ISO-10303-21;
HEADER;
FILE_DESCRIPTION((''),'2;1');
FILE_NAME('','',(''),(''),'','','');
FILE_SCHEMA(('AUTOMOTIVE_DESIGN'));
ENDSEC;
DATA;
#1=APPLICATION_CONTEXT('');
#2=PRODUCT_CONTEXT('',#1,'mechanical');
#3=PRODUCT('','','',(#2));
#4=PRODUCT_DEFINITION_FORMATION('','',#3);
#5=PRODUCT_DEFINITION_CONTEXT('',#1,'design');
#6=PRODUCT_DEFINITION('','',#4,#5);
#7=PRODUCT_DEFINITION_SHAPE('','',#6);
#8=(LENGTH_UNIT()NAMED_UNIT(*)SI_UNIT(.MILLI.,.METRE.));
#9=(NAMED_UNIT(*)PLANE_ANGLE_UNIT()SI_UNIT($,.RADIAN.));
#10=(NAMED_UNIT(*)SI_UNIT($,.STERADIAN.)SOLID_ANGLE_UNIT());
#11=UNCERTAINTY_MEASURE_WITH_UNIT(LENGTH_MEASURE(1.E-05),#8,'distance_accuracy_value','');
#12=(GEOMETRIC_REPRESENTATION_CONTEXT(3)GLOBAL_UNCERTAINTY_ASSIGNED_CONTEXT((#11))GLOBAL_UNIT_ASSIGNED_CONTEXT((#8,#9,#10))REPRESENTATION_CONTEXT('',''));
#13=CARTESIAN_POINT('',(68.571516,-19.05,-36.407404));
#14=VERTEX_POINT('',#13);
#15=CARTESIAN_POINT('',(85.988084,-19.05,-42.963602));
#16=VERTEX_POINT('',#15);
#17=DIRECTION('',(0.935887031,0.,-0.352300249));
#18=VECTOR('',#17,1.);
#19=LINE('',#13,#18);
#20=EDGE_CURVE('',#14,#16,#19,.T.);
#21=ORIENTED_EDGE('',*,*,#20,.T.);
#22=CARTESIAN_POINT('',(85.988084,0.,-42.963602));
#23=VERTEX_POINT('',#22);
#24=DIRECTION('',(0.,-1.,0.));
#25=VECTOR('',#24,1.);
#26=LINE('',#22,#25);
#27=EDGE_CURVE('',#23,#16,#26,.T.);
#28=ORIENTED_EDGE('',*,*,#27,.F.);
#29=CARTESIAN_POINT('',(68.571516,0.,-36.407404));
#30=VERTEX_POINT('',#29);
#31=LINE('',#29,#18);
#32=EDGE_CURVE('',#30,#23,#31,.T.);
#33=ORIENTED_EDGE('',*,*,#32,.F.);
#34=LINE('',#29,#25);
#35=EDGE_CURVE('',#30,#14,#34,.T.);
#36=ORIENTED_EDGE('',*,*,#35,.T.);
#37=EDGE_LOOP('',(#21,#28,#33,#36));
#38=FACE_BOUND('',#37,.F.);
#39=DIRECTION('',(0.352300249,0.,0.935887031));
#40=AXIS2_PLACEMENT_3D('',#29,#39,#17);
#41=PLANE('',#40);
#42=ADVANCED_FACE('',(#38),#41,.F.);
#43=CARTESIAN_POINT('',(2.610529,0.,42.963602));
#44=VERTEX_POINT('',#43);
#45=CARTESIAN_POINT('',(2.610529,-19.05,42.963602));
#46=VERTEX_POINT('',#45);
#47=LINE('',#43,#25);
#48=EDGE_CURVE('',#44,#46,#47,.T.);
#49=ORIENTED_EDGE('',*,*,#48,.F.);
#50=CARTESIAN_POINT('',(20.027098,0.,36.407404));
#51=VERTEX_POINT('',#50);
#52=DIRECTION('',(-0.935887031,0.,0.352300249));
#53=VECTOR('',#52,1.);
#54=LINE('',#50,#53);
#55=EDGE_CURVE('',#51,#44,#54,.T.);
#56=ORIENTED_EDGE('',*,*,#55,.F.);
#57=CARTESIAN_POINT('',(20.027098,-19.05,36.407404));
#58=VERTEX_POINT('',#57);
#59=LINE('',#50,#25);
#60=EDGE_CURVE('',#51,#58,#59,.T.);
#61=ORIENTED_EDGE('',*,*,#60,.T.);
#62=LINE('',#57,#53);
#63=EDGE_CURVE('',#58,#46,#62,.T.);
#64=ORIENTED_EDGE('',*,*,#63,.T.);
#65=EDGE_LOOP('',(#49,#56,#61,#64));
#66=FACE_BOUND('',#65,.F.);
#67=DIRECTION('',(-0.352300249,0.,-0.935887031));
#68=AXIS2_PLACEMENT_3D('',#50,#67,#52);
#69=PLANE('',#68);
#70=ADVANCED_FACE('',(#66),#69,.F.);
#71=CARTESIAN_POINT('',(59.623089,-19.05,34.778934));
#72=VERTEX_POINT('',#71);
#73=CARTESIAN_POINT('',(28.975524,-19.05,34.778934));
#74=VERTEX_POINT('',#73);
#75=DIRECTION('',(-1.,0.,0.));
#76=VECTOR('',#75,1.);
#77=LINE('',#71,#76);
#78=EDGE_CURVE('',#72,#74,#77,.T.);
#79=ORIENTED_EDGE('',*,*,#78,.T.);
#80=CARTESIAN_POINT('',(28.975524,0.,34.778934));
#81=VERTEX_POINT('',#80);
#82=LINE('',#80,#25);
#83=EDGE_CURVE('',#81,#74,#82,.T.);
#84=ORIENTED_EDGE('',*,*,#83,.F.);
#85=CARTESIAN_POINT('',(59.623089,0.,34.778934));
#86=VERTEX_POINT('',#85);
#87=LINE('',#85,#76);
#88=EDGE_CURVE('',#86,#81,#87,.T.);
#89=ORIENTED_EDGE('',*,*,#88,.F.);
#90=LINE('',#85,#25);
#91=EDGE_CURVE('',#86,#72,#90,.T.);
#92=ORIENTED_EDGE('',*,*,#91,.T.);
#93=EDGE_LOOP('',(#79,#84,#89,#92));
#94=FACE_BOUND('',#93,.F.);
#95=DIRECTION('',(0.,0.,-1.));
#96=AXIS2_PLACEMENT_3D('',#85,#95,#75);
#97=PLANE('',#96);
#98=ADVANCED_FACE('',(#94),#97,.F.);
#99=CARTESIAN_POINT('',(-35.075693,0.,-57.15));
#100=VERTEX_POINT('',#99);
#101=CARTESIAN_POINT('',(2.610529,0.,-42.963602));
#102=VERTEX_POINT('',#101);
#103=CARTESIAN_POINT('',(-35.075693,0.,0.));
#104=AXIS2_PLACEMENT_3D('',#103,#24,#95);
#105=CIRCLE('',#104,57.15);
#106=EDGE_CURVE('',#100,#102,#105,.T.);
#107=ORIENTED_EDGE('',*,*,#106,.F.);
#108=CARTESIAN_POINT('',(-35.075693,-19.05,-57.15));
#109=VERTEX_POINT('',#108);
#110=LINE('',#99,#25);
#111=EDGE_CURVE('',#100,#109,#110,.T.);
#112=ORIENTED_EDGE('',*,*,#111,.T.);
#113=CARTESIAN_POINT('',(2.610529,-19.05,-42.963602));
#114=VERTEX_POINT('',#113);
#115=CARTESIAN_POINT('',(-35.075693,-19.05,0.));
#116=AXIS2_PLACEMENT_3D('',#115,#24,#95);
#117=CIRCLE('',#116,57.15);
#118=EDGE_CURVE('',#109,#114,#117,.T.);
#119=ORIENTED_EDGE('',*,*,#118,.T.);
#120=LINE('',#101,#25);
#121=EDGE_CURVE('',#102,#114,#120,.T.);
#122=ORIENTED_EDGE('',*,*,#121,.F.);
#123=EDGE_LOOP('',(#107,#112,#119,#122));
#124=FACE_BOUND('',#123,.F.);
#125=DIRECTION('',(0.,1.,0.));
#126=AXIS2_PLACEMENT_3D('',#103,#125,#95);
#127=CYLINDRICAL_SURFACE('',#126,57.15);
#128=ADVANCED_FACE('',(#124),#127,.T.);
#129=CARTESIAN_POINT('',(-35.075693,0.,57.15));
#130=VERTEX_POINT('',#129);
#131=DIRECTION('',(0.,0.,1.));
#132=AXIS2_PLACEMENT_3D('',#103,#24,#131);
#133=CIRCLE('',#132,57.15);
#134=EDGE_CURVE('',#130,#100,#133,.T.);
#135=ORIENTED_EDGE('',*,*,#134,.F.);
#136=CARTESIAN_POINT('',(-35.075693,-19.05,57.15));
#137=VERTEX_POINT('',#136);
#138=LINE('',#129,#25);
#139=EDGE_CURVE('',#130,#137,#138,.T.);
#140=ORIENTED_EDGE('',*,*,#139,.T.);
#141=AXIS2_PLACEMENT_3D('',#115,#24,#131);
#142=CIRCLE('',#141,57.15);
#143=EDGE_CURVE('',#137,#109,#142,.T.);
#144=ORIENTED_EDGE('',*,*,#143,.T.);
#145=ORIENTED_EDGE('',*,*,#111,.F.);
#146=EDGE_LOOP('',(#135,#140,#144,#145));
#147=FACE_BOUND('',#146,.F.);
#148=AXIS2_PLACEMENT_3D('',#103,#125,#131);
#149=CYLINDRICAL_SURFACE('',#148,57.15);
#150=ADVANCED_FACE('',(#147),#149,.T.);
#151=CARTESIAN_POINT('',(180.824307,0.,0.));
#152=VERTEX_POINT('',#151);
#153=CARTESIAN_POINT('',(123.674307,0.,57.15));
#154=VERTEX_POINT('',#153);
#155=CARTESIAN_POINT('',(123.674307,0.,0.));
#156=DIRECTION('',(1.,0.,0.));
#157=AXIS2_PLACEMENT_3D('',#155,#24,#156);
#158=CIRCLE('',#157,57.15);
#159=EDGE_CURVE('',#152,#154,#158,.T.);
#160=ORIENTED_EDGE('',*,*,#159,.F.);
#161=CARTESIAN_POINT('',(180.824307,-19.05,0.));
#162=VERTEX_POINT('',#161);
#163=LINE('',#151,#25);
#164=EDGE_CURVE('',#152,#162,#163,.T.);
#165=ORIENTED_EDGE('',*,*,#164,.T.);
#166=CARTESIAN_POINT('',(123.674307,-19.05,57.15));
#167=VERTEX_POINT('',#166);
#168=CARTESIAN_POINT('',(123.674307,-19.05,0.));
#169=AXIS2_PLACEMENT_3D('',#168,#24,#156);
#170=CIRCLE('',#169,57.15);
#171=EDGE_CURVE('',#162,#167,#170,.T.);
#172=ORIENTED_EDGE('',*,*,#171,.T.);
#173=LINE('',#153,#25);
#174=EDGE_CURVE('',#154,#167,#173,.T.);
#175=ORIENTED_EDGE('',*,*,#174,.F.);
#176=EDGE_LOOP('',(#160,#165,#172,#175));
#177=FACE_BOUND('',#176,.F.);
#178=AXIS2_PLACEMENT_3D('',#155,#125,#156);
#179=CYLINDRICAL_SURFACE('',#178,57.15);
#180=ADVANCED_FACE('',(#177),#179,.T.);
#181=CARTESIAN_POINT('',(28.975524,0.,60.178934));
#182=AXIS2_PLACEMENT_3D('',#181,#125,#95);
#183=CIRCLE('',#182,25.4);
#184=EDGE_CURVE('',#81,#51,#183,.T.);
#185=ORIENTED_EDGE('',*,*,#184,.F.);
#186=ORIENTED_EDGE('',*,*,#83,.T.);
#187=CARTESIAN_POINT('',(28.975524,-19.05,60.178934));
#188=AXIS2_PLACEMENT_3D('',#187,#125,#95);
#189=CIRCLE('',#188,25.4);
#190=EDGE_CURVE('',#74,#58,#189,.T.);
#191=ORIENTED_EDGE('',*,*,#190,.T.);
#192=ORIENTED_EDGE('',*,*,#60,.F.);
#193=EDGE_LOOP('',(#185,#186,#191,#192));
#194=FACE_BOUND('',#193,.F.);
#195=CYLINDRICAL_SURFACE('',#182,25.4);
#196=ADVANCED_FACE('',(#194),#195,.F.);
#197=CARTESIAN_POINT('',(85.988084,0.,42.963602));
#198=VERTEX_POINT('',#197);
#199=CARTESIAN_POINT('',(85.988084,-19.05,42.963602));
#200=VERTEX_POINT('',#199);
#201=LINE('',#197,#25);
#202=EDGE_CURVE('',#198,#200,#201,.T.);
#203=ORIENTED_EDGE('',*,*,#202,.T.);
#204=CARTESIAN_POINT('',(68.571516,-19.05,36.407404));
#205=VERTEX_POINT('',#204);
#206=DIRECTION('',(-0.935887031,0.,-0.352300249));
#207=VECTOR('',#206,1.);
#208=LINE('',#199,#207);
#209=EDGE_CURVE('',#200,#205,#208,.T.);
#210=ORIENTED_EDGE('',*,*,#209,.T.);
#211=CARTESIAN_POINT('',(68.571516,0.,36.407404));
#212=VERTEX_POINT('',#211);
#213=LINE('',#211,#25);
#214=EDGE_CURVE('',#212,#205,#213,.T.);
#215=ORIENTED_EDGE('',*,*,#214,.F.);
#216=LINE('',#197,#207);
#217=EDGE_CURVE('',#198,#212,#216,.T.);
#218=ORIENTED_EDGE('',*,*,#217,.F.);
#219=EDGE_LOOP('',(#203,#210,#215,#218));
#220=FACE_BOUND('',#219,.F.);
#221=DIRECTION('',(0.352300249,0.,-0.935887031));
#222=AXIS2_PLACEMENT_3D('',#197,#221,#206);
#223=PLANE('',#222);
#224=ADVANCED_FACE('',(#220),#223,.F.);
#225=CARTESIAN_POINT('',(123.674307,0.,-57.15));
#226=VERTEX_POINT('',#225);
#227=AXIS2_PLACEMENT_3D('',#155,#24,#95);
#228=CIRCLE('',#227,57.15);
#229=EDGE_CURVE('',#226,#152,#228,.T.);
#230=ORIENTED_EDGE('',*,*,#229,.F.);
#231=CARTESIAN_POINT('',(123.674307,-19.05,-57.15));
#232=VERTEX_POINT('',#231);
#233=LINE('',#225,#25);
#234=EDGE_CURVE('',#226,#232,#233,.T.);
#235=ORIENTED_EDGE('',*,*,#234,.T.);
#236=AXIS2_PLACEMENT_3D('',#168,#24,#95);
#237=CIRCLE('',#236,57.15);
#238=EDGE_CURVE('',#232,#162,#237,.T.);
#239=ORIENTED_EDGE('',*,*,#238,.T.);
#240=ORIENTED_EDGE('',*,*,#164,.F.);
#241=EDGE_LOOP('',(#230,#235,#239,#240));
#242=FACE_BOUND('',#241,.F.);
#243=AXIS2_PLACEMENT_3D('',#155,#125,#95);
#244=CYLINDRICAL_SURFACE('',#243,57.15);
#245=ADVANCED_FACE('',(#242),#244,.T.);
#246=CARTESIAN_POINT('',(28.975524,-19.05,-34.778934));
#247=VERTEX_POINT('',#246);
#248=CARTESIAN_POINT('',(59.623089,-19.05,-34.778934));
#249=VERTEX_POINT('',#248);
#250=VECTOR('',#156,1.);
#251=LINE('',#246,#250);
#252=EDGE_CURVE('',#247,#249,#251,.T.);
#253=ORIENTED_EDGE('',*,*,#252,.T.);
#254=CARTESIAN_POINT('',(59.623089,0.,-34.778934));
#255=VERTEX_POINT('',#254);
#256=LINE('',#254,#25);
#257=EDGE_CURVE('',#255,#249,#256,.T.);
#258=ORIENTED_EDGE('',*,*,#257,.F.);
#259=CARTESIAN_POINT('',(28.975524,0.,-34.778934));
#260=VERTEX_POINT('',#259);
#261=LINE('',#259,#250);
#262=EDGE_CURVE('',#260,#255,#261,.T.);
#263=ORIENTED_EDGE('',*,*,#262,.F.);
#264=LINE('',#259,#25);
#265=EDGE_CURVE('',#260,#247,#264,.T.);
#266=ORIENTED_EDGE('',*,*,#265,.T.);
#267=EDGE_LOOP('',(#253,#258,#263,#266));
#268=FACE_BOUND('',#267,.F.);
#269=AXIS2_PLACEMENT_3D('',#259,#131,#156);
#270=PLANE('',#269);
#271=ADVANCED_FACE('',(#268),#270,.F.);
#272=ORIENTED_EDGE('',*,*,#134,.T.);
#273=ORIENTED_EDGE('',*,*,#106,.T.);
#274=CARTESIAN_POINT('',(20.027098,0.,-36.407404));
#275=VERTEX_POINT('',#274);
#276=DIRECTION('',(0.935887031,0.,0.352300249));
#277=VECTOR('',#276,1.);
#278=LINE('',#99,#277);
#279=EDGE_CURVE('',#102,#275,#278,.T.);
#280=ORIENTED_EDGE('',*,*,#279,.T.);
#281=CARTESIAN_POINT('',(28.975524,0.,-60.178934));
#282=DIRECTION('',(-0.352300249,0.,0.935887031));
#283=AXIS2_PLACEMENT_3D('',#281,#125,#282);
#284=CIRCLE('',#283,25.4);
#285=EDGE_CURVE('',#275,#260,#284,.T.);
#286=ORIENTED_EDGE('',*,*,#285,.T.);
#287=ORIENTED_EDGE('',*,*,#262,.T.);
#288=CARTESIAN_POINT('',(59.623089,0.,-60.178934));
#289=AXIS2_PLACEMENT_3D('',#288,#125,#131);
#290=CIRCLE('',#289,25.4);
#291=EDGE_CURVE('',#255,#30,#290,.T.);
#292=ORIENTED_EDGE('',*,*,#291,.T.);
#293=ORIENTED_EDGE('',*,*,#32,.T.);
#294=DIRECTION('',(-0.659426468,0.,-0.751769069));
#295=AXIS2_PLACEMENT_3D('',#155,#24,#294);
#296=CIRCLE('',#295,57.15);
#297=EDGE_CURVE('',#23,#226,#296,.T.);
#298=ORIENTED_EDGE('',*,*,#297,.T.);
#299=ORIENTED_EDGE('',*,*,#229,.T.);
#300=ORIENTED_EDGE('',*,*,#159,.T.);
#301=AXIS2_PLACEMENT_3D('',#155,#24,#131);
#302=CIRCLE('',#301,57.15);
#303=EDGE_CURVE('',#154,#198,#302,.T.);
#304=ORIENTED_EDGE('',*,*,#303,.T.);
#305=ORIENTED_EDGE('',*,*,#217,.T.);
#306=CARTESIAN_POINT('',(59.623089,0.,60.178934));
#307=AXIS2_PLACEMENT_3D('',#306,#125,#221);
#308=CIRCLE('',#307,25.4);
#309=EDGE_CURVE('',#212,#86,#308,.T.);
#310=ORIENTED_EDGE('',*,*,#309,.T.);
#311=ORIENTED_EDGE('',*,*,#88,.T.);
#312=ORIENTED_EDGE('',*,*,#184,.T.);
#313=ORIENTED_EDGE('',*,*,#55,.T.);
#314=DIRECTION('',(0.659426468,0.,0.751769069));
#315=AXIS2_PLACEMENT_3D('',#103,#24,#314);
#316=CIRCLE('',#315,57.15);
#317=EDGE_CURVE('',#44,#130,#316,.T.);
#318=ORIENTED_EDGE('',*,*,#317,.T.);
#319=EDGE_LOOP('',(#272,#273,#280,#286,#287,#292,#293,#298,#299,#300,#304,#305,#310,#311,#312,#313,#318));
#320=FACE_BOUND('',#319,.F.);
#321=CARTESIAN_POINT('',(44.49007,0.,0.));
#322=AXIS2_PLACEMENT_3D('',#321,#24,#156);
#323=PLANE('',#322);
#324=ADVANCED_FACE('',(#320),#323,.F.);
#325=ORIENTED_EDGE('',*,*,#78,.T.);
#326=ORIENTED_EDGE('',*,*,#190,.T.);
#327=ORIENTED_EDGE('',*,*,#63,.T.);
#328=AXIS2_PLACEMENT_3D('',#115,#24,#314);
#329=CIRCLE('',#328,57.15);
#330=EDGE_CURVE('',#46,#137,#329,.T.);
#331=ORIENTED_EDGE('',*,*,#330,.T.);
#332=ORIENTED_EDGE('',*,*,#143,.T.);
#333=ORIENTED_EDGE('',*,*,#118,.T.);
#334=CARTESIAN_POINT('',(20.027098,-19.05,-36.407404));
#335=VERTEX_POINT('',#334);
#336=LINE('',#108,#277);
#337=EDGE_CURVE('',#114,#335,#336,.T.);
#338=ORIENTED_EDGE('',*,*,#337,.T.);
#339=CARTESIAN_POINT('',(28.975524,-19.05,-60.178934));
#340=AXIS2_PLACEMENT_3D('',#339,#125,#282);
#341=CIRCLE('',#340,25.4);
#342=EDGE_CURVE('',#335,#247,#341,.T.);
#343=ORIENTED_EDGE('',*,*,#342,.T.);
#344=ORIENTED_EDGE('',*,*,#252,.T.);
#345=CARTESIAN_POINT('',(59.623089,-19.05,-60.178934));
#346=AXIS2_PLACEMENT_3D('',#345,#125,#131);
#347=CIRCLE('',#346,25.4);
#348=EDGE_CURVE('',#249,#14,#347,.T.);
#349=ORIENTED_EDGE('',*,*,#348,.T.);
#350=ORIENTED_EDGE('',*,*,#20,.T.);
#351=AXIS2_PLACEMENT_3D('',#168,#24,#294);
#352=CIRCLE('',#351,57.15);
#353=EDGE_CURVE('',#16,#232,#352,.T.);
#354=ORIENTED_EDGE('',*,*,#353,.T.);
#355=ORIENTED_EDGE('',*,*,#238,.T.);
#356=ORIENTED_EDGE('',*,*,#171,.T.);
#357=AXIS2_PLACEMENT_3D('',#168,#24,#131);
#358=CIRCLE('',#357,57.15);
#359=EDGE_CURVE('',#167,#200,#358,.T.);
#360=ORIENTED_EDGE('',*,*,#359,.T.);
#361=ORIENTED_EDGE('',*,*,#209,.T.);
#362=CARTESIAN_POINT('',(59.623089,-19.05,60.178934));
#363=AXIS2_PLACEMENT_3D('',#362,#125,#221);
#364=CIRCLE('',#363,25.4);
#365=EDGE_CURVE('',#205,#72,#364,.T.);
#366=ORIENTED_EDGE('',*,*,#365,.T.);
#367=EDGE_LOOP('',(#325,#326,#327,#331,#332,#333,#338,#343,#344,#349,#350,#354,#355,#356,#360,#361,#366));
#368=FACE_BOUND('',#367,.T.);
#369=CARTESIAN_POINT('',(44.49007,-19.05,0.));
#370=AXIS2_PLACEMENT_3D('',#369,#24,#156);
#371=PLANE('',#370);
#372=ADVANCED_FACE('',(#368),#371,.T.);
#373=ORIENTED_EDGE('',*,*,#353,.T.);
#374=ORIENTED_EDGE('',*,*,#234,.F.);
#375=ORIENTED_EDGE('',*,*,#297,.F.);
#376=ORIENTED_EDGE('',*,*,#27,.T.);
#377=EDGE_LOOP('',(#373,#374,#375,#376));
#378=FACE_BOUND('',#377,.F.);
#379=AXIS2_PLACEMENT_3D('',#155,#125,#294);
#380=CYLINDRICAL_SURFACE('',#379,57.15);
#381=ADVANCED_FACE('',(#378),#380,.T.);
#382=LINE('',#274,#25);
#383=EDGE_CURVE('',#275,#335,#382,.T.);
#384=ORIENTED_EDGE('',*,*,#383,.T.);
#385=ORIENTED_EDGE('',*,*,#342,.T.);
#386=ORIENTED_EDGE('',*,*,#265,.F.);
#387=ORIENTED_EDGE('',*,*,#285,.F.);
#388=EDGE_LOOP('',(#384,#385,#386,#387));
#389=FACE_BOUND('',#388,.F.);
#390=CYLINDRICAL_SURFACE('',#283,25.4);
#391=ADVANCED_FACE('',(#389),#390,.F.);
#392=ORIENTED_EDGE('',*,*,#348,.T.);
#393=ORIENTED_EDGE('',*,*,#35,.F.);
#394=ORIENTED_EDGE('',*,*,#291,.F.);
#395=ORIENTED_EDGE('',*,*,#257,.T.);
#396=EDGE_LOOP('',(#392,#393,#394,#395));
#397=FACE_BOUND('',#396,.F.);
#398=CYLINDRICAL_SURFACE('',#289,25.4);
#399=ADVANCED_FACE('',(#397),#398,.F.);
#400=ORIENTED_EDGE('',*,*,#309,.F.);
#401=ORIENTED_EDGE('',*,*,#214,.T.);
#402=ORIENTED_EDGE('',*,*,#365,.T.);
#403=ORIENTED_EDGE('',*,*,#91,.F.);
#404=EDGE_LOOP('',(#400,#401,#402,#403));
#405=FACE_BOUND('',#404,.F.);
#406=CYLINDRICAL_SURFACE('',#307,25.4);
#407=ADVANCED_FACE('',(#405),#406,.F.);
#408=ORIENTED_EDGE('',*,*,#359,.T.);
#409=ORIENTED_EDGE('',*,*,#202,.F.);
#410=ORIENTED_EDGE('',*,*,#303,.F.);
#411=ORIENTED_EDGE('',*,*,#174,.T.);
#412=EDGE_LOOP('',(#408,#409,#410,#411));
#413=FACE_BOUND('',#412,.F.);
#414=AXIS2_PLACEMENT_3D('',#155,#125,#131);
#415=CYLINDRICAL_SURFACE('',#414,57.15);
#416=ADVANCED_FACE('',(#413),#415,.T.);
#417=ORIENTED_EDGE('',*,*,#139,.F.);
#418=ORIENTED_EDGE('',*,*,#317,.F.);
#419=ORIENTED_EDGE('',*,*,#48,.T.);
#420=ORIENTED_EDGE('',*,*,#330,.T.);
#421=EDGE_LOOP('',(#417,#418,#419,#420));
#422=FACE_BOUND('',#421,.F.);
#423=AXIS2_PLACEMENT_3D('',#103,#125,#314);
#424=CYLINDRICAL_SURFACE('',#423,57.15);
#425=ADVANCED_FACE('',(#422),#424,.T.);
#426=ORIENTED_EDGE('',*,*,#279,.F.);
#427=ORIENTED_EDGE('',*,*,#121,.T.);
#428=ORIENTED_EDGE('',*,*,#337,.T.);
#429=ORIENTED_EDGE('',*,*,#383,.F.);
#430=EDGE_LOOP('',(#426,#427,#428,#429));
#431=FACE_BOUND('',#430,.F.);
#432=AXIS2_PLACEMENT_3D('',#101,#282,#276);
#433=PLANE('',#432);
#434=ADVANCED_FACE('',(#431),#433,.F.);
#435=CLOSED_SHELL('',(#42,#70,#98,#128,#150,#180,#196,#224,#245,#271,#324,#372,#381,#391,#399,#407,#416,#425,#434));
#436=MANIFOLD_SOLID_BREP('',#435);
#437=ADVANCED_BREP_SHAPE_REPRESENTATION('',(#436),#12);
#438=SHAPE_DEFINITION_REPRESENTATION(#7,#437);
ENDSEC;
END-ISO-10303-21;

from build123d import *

# Parameters (mm, degrees)
F1_DEPTH = 19.05


with BuildPart() as f1:
    # F0 (on Front) → F1 (new body)
    with BuildSketch(Plane.XZ):
        with BuildLine():
            Line((20.027097595, 36.4074036121), (2.6105293283, 42.9636023111))
            ThreePointArc((2.6105293283, 42.9636023111), (16.9814393634, 23.5834144733), (22.0743066938, 0))
            ThreePointArc((22.0743066938, 0), (16.9814393634, -23.5834144733), (2.6105293283, -42.9636023111))
            Line((2.6105293283, -42.9636023111), (20.027097595, -36.4074036121))
            ThreePointArc((20.027097595, -36.4074036121), (24.4278254251, -35.189367606), (28.975523916, -34.7789341976))
            Line((28.975523916, -34.7789341976), (59.6230894717, -34.7789341976))
            ThreePointArc((59.6230894717, -34.7789341976), (64.1707879626, -35.189367606), (68.5715157927, -36.4074036121))
            Line((68.5715157927, -36.4074036121), (85.9880840594, -42.9636023111))
            ThreePointArc((85.9880840594, -42.9636023111), (66.5243066938, 0), (85.9880840594, 42.9636023111))
            Line((85.9880840594, 42.9636023111), (68.5715157927, 36.4074036121))
            ThreePointArc((68.5715157927, 36.4074036121), (64.1707879626, 35.189367606), (59.6230894717, 34.7789341976))
            Line((59.6230894717, 34.7789341976), (28.975523916, 34.7789341976))
            ThreePointArc((28.975523916, 34.7789341976), (24.4278254251, 35.189367606), (20.027097595, 36.4074036121))
        make_face()
        with BuildLine():
            ThreePointArc((2.6105293283, 42.9636023111), (-14.941734084, 53.4859438174), (-35.0756933062, 57.15))
            Line((-35.0756933062, 57.15), (2.6105293283, 42.9636023111))
        make_face()
        with BuildLine():
            Line((123.6743066938, 57.15), (85.9880840594, 42.9636023111))
            ThreePointArc((85.9880840594, 42.9636023111), (66.5243066938, 0), (85.9880840594, -42.9636023111))
            Line((85.9880840594, -42.9636023111), (123.6743066938, -57.15))
            ThreePointArc((123.6743066938, -57.15), (164.0854592386, -40.4111525448), (180.8243066938, 0))
            ThreePointArc((180.8243066938, 0), (164.0854592386, 40.4111525448), (123.6743066938, 57.15))
        make_face()
        with BuildLine():
            ThreePointArc((123.6743066938, 57.15), (103.5403474717, 53.4859438174), (85.9880840594, 42.9636023111))
            Line((85.9880840594, 42.9636023111), (123.6743066938, 57.15))
        make_face()
        with BuildLine():
            Line((2.6105293283, 42.9636023111), (-35.0756933062, 57.15))
            ThreePointArc((-35.0756933062, 57.15), (-92.2256933062, 0), (-35.0756933062, -57.15))
            Line((-35.0756933062, -57.15), (2.6105293283, -42.9636023111))
            ThreePointArc((2.6105293283, -42.9636023111), (16.9814393634, -23.5834144733), (22.0743066938, 0))
            ThreePointArc((22.0743066938, 0), (16.9814393634, 23.5834144733), (2.6105293283, 42.9636023111))
        make_face()
        with BuildLine():
            Line((2.6105293283, -42.9636023111), (-35.0756933062, -57.15))
            ThreePointArc((-35.0756933062, -57.15), (-14.941734084, -53.4859438174), (2.6105293283, -42.9636023111))
        make_face()
        with BuildLine():
            Line((123.6743066938, -57.15), (85.9880840594, -42.9636023111))
            ThreePointArc((85.9880840594, -42.9636023111), (103.5403474717, -53.4859438174), (123.6743066938, -57.15))
        make_face()
    extrude(amount=F1_DEPTH)


solid = f1.part
